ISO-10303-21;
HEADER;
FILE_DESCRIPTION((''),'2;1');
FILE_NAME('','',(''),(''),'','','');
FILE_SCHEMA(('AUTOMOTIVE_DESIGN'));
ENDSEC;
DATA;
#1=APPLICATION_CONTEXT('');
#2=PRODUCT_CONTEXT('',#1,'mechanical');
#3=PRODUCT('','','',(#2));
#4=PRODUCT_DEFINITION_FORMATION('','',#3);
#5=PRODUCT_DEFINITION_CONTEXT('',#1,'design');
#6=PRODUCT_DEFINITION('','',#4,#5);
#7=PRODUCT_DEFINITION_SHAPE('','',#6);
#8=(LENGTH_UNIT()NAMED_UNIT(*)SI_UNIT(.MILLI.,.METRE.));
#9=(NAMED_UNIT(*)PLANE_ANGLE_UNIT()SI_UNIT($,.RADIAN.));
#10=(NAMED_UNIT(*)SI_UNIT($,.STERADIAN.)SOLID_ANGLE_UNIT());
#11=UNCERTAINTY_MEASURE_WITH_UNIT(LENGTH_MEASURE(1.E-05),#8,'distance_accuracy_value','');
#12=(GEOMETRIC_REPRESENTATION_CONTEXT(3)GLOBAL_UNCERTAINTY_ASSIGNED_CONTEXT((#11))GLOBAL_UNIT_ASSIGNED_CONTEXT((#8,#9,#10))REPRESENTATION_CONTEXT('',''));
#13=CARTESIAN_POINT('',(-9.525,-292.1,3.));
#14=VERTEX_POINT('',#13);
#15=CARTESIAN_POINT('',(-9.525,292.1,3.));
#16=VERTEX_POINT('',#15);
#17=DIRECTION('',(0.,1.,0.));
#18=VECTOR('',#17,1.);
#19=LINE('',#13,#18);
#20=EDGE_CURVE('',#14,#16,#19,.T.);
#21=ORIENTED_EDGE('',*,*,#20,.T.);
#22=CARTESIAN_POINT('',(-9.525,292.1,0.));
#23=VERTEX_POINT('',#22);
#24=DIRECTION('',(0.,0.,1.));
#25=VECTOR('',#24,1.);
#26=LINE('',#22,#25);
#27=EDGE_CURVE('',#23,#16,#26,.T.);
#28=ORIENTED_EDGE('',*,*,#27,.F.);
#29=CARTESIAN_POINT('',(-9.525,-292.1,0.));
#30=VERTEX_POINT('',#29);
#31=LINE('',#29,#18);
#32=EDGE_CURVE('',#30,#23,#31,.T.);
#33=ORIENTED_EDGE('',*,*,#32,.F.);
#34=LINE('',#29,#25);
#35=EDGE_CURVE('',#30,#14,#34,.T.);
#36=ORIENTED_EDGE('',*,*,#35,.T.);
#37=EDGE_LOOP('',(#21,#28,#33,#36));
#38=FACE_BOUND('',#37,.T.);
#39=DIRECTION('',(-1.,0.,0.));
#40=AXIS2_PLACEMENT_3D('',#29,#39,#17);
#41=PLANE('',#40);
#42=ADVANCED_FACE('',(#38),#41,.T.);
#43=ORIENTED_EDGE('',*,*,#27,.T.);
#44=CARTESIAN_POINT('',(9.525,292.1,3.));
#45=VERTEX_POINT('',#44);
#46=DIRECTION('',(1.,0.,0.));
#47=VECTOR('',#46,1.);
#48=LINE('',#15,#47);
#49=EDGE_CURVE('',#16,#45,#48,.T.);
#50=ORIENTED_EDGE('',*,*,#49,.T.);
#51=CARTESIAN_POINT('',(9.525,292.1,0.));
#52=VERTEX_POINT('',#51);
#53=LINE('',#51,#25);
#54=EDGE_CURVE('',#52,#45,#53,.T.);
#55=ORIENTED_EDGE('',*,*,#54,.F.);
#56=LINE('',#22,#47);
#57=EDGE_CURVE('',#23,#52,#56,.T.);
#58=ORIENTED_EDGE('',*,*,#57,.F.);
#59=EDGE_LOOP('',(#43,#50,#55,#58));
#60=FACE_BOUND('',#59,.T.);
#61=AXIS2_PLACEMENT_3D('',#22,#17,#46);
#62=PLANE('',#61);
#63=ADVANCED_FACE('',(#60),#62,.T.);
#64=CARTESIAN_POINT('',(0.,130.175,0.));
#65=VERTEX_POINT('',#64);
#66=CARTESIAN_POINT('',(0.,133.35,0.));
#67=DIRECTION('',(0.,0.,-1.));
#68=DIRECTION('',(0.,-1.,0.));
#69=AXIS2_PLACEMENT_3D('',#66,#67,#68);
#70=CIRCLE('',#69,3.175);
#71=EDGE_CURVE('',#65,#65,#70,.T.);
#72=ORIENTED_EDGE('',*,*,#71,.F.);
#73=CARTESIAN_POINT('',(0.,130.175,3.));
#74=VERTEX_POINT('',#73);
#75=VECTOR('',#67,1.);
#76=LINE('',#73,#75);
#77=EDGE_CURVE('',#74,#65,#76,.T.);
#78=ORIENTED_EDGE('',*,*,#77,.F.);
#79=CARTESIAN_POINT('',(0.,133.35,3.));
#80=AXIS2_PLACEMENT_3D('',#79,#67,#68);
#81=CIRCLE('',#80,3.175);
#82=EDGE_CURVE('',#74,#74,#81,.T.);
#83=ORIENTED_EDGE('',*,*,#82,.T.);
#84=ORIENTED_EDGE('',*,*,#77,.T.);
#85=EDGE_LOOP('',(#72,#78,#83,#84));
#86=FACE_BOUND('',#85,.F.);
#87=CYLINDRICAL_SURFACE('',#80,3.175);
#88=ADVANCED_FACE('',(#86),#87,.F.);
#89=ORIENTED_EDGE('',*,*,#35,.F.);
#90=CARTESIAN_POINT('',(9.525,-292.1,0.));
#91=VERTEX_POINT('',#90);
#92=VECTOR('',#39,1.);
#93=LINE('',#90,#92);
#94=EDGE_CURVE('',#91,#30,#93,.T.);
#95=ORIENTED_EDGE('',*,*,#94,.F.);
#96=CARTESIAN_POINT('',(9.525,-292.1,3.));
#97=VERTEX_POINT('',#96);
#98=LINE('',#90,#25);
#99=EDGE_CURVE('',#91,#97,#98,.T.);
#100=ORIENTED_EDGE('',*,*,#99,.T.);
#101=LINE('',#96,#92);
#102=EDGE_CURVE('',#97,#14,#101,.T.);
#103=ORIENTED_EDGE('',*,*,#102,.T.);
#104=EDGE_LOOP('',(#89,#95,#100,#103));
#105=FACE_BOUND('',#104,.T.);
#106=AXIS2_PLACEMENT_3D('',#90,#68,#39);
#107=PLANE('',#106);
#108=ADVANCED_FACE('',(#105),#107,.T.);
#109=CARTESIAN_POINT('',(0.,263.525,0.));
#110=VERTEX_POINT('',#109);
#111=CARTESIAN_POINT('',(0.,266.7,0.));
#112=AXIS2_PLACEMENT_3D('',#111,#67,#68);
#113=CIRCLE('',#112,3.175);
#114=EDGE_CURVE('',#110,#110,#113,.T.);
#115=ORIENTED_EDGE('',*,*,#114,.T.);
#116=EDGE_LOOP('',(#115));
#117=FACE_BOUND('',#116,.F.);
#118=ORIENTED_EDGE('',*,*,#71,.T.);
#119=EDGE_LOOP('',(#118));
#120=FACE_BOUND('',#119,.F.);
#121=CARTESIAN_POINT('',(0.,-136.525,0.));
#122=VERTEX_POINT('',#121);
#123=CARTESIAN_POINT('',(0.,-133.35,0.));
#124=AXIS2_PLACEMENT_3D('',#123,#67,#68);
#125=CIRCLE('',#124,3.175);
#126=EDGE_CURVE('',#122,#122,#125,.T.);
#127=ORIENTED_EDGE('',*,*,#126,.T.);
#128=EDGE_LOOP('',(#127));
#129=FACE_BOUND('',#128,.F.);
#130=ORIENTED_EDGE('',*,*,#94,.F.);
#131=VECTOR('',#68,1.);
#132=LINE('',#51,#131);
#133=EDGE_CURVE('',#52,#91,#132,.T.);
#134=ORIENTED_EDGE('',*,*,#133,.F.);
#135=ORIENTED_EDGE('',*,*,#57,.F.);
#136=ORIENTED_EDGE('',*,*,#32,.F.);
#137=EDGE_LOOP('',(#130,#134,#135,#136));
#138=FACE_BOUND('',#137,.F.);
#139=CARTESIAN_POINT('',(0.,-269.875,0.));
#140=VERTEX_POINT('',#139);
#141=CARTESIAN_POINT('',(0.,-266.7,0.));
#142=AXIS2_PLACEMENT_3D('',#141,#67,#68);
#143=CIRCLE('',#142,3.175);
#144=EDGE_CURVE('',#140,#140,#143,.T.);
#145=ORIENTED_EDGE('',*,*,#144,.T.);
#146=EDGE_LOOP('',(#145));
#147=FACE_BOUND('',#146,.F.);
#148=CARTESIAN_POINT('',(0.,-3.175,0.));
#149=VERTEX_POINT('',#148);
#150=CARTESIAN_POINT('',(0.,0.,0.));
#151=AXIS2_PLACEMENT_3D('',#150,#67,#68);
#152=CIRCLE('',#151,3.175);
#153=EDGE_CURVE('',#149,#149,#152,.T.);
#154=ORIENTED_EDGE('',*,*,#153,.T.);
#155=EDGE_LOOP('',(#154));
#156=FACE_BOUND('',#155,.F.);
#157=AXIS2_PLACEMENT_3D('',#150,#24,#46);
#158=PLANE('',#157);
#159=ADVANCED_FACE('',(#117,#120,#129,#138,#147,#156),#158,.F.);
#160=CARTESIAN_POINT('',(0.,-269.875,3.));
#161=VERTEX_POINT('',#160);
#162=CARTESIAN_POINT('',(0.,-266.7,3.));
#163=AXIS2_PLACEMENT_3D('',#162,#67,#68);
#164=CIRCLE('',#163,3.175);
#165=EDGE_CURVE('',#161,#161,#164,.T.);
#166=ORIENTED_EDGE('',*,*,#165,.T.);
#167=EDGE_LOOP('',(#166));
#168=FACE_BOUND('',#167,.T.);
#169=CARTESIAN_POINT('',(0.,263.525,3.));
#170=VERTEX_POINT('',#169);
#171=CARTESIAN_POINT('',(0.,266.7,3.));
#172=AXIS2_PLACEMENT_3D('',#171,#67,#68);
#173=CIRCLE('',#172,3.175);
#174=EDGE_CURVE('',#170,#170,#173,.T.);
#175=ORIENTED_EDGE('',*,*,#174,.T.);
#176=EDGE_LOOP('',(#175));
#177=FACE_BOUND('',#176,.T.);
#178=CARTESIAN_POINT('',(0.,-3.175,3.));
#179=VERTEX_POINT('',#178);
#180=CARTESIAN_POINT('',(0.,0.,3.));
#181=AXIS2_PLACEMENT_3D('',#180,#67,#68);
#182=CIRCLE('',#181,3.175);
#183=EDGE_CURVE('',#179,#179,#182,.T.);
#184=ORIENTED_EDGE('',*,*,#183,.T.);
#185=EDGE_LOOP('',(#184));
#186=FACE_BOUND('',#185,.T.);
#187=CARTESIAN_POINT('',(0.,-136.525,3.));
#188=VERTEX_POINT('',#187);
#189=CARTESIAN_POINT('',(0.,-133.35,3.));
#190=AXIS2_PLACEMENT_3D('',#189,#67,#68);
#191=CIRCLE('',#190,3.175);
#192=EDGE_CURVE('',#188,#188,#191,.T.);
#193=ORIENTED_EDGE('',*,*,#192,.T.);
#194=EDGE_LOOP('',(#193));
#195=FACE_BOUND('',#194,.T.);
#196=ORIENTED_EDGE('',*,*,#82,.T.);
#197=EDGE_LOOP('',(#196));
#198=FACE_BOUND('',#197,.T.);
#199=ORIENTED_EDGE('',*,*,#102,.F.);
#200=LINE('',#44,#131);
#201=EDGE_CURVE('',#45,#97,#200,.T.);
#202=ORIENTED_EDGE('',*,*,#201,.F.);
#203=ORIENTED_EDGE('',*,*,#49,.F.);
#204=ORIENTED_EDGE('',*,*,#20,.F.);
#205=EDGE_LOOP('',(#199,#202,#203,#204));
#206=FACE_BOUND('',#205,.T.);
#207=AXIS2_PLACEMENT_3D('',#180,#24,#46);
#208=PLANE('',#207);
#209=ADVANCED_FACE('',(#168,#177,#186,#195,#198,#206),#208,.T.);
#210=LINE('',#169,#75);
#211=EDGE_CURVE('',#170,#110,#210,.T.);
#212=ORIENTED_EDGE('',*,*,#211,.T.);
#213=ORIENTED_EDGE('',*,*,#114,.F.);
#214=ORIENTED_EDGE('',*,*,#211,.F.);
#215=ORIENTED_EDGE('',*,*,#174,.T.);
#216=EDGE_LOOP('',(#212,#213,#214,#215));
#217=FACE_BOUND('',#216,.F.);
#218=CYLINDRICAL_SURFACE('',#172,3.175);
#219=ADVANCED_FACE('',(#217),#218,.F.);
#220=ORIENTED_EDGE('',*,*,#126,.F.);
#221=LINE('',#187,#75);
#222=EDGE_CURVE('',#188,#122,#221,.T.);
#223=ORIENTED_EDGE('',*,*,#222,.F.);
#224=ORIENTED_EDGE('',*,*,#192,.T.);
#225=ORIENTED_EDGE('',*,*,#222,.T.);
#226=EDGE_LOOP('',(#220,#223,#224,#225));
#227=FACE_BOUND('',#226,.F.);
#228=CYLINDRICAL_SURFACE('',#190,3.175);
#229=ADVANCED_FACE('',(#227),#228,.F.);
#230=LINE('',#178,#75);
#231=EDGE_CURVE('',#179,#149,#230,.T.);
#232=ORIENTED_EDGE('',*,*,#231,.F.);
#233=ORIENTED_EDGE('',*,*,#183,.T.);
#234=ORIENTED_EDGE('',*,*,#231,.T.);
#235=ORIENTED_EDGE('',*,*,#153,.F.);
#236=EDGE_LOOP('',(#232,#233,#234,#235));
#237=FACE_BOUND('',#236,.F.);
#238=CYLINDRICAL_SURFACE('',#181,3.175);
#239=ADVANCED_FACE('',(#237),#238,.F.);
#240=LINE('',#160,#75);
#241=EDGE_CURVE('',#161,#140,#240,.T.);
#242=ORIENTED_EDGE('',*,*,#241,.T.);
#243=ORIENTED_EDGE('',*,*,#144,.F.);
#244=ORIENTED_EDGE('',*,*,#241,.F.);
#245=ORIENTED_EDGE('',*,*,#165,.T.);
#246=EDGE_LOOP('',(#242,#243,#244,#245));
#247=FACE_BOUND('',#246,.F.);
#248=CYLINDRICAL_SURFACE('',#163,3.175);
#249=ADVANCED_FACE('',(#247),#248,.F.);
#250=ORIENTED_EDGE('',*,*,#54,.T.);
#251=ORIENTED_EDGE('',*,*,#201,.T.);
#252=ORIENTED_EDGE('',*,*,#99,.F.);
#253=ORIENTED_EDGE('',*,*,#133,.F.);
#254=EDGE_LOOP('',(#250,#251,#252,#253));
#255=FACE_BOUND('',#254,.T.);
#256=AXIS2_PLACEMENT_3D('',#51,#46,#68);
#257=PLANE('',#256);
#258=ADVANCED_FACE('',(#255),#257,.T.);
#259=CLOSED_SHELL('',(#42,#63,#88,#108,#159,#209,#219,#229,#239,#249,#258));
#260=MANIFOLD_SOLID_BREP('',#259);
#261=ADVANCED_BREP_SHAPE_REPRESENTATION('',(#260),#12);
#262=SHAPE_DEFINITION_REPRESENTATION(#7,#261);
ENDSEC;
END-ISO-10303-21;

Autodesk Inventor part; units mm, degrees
ref_plane "YZ Plane" through (0, 0, 0) normal (1, 0, 0) x (0, 1, 0)
ref_plane "XZ Plane" through (0, 0, 0) normal (0, 1, 0) x (-1, 0, 0)
ref_plane "XY Plane" through (0, 0, 0) normal (0, 0, 1) x (1, 0, 0)
sketch "Sketch1" plane through (0, 0, 0) normal (0, 0, 1) x (1, 0, 0)
  line L0 (-9.525, 292.1) -> (9.525, 292.1)
  line L1 (9.525, 292.1) -> (9.525, -292.1)
  line L2 (9.525, -292.1) -> (-9.525, -292.1)
  line L3 (-9.525, -292.1) -> (-9.525, 292.1)
  point P0 (0, 0)
  point P1 (9.525, 0)
  point P2 (0, 292.1)
  dimension "d0" = 19.05
  dimension "d1" = 584.2
extrude "Extrusion1" add sketch "Sketch1" along normal blind 3
sketch "Sketch2" plane through (0, 0, 3) normal (0, 0, 1) x (1, 0, 0)
  line L0 (-9.525, 292.1) -> (9.525, 292.1) projected
  line L1 (9.525, -292.1) -> (-9.525, -292.1) projected
  point P0 (0, 0)
  point P1 (0, 266.7)
  point P2 (0, 133.35)
  point P3 (0, 0)
  point P4 (0, -133.35)
  point P5 (0, -266.7)
  dimension "d4" = 25.4
  dimension "d5" = 133.35
  dimension "d6" = 133.35
  dimension "d7" = 133.35
  dimension "d8" = 133.35
  dimension "d9" = 25.4
hole "Hole1" at (0, 266.7, 3) at (0, 133.35, 3) at (0, 0, 3) at (0, -133.35, 3) at (0, -266.7, 3) direction (0, 0, -1) diameter 6.35 end through all
properties part number "top panel"
